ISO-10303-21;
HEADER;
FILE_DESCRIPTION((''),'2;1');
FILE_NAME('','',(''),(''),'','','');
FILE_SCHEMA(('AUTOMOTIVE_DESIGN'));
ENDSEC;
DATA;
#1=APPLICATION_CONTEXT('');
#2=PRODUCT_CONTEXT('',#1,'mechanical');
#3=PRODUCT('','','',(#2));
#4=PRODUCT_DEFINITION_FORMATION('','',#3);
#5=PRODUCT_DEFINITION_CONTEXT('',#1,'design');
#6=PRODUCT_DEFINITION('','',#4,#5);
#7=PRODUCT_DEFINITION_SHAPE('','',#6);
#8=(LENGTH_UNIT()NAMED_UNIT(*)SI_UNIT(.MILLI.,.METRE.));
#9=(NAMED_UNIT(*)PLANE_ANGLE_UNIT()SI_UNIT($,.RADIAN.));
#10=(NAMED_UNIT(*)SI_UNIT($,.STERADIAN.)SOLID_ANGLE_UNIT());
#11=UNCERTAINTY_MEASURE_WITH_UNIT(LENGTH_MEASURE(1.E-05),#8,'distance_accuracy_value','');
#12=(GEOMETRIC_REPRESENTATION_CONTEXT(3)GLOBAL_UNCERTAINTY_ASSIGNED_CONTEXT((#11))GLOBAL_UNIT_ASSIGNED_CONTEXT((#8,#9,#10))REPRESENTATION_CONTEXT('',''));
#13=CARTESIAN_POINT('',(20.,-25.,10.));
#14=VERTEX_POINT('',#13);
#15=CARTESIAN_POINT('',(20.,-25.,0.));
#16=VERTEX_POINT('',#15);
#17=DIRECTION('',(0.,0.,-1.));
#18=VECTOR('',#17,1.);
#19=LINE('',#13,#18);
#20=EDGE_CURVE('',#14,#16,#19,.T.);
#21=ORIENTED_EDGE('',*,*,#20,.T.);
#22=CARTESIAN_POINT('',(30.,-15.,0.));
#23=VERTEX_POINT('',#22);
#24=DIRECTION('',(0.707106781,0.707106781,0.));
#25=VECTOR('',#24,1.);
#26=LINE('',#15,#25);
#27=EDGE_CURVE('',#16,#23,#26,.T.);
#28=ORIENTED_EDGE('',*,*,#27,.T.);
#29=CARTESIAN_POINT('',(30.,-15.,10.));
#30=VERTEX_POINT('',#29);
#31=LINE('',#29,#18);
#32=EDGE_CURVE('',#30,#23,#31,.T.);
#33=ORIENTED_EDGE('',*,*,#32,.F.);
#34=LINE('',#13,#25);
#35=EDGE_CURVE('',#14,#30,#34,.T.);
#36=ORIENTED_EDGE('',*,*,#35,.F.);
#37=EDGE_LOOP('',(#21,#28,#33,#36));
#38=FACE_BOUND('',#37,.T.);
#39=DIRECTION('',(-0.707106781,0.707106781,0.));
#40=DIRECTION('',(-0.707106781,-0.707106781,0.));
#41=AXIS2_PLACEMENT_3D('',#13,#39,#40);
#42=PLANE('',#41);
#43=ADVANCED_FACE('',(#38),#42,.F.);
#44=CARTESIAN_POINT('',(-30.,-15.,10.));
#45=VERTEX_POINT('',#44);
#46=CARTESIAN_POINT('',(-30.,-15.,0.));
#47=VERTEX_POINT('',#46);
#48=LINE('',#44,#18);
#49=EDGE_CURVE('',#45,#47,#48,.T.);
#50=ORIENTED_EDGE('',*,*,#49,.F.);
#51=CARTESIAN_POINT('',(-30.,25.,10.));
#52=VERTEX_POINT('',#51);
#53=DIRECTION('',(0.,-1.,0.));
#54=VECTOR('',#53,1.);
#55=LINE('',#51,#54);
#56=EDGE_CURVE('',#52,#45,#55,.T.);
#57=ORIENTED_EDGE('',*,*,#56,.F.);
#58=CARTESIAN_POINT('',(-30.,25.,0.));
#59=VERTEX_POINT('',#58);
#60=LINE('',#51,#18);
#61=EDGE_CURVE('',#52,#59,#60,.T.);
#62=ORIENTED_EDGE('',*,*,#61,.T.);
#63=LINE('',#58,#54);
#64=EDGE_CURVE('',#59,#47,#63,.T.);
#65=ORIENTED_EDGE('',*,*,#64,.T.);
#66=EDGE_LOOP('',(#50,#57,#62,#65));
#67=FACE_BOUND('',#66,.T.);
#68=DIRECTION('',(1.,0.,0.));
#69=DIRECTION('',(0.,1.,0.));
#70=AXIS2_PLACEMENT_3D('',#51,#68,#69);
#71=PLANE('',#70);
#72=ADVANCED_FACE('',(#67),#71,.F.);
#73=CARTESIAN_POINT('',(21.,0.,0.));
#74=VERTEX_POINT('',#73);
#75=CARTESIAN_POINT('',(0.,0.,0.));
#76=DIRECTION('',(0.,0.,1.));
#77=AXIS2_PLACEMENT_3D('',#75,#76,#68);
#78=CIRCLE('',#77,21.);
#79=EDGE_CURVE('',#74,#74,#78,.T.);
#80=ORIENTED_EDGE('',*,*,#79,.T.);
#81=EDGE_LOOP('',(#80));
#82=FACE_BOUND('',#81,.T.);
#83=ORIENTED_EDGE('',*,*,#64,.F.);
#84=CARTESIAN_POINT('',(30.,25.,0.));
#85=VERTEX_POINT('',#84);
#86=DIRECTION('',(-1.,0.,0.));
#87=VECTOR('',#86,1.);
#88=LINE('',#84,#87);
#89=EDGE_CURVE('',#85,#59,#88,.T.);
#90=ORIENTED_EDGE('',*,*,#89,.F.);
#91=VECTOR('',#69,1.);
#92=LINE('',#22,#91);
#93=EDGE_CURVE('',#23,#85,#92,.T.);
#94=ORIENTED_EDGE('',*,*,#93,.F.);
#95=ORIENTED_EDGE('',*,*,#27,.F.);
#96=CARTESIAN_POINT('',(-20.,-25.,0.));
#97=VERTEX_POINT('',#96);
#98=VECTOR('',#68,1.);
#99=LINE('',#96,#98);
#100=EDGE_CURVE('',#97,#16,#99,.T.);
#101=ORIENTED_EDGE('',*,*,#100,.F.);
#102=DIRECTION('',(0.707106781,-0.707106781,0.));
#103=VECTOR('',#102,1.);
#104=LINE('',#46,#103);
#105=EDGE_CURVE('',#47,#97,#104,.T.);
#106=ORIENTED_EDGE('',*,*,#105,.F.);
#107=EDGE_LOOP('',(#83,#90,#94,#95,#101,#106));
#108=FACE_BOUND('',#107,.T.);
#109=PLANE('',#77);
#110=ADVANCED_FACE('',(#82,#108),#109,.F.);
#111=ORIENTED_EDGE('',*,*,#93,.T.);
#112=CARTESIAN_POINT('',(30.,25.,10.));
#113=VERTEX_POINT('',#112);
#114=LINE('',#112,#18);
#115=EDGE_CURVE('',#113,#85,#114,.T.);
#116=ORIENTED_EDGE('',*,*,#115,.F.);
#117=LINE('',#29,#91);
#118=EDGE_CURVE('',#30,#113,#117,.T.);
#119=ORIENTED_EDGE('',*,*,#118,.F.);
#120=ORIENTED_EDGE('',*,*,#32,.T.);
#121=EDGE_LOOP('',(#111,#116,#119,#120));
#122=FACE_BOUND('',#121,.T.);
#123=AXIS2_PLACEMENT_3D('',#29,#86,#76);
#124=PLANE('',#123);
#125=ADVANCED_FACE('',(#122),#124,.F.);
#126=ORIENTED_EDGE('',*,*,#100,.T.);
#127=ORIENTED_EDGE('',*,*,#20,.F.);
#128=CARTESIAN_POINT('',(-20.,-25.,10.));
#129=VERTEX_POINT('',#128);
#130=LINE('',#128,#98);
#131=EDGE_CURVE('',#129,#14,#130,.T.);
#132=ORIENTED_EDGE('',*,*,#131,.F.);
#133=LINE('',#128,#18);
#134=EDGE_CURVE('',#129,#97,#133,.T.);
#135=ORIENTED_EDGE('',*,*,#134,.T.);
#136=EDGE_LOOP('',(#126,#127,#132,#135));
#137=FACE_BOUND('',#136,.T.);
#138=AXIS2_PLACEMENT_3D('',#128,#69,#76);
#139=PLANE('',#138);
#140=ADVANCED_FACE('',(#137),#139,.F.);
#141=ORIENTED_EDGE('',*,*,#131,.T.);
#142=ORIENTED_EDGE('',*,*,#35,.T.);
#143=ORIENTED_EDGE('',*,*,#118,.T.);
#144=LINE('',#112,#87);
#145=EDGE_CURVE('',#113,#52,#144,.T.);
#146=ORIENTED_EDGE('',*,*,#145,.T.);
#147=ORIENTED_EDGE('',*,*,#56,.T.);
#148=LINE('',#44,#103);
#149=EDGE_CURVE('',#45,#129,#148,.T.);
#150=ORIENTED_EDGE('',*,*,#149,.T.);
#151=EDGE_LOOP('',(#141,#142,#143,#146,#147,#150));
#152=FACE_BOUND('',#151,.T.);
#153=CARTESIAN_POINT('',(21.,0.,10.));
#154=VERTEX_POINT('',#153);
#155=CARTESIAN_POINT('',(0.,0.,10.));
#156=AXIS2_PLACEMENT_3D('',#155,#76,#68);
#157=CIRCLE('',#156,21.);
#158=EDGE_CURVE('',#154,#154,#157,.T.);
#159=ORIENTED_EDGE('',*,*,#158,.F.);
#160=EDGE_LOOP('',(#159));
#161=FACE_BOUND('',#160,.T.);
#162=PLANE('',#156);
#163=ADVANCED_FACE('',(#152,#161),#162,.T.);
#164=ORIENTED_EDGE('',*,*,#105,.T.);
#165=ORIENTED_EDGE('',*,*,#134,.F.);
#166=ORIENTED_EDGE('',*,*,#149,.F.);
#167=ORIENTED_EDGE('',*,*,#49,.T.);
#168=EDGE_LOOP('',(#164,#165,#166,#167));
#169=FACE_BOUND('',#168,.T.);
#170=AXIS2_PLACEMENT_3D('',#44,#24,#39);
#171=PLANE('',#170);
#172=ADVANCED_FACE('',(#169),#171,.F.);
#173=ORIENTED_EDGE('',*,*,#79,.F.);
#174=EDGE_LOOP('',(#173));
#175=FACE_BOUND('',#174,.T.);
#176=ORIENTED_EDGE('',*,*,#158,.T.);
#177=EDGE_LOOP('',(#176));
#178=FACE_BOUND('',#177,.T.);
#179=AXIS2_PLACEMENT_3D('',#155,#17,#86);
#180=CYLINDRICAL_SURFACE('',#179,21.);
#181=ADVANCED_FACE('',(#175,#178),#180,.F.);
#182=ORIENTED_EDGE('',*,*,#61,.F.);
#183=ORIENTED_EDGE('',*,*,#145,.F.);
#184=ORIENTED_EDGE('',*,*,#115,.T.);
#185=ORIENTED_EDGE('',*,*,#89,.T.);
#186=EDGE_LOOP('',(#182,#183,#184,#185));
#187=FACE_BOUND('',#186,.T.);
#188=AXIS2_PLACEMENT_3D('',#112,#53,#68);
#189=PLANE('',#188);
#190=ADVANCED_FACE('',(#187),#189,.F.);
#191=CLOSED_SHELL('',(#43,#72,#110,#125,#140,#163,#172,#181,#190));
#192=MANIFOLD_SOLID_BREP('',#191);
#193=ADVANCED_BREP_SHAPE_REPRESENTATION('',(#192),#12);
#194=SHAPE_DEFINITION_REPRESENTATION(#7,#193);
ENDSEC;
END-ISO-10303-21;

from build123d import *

# Parameters (mm, degrees)
CROQUIS1_R              = 21
SALIENTE_EXTRUIR1_DEPTH = 10


with BuildPart() as part:
    # Croquis1 → Saliente-Extruir1 (new body)
    with BuildSketch(Plane.XY):
        Polygon((-30, 25), (-30, -15), (-20, -25), (20, -25), (30, -15), (30, 25), align=None)
        Circle(CROQUIS1_R, mode=Mode.SUBTRACT)
    extrude(amount=SALIENTE_EXTRUIR1_DEPTH)


solid = part.part
